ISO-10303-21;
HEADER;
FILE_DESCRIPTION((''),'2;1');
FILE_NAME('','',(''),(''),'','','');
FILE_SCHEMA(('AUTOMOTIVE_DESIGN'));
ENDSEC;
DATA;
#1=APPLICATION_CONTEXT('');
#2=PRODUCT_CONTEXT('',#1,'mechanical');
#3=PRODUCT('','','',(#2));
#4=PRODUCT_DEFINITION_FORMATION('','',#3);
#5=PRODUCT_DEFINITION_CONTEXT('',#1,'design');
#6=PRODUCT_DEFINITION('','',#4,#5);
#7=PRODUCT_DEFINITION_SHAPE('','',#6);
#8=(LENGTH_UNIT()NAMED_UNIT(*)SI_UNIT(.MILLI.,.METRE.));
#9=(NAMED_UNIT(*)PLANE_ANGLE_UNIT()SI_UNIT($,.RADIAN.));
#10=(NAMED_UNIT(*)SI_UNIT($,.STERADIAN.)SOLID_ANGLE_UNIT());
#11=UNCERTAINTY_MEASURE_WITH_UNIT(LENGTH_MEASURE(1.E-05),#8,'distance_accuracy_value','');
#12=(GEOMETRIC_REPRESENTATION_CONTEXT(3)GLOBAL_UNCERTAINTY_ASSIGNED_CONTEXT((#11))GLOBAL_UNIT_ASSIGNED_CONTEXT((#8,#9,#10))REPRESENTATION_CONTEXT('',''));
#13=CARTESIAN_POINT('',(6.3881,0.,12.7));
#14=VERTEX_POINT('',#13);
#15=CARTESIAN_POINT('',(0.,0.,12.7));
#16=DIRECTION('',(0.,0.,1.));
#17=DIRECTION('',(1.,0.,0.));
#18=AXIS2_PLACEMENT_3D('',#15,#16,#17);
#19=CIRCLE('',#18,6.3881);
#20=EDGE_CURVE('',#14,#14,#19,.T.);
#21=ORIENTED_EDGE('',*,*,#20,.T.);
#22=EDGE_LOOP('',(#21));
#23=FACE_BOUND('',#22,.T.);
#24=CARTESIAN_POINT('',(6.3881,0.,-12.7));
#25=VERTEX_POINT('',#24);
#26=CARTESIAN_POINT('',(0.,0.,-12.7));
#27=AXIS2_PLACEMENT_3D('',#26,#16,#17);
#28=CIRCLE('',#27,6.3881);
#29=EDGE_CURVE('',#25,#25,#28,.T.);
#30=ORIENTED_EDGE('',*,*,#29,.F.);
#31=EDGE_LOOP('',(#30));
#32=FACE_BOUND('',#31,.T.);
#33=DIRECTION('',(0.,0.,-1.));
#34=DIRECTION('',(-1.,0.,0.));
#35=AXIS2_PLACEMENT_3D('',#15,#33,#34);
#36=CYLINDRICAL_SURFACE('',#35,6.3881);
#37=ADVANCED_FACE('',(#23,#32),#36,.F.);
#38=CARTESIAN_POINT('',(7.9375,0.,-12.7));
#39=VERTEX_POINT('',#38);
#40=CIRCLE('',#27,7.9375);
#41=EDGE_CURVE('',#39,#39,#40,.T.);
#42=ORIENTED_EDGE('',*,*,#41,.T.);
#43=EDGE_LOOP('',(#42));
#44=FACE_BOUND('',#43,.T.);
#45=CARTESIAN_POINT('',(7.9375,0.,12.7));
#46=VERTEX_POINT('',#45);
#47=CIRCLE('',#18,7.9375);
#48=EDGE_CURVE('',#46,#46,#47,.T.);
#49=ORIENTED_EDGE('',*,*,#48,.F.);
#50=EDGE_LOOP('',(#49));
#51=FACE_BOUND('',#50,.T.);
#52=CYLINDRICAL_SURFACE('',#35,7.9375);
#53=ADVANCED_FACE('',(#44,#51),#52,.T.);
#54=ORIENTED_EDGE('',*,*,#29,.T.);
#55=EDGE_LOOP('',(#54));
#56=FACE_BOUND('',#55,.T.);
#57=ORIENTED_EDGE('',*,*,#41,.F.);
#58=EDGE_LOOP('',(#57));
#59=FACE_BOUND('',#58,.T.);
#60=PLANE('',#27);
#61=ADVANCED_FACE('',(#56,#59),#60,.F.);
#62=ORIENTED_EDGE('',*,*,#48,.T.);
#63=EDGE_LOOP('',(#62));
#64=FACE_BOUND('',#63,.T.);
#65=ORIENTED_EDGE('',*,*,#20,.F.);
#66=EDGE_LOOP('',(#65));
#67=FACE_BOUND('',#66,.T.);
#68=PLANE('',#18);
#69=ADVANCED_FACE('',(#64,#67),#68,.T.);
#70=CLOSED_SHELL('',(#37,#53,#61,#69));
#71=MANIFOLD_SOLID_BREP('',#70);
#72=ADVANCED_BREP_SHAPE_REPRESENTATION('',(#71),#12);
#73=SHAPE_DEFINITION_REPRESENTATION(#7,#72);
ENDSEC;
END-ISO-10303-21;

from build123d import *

# Parameters (mm, degrees)
SKETCH1_R      = 7.9375
SKETCH1_R_2    = 6.3881
EXTRUDE1_DEPTH = 12.7


with BuildPart() as part:
    # Sketch1 → Extrude1 (new body, symmetric)
    with BuildSketch(Plane.XY):
        Circle(SKETCH1_R)
        Circle(SKETCH1_R_2, mode=Mode.SUBTRACT)
    extrude(amount=EXTRUDE1_DEPTH, both=True)


solid = part.part
